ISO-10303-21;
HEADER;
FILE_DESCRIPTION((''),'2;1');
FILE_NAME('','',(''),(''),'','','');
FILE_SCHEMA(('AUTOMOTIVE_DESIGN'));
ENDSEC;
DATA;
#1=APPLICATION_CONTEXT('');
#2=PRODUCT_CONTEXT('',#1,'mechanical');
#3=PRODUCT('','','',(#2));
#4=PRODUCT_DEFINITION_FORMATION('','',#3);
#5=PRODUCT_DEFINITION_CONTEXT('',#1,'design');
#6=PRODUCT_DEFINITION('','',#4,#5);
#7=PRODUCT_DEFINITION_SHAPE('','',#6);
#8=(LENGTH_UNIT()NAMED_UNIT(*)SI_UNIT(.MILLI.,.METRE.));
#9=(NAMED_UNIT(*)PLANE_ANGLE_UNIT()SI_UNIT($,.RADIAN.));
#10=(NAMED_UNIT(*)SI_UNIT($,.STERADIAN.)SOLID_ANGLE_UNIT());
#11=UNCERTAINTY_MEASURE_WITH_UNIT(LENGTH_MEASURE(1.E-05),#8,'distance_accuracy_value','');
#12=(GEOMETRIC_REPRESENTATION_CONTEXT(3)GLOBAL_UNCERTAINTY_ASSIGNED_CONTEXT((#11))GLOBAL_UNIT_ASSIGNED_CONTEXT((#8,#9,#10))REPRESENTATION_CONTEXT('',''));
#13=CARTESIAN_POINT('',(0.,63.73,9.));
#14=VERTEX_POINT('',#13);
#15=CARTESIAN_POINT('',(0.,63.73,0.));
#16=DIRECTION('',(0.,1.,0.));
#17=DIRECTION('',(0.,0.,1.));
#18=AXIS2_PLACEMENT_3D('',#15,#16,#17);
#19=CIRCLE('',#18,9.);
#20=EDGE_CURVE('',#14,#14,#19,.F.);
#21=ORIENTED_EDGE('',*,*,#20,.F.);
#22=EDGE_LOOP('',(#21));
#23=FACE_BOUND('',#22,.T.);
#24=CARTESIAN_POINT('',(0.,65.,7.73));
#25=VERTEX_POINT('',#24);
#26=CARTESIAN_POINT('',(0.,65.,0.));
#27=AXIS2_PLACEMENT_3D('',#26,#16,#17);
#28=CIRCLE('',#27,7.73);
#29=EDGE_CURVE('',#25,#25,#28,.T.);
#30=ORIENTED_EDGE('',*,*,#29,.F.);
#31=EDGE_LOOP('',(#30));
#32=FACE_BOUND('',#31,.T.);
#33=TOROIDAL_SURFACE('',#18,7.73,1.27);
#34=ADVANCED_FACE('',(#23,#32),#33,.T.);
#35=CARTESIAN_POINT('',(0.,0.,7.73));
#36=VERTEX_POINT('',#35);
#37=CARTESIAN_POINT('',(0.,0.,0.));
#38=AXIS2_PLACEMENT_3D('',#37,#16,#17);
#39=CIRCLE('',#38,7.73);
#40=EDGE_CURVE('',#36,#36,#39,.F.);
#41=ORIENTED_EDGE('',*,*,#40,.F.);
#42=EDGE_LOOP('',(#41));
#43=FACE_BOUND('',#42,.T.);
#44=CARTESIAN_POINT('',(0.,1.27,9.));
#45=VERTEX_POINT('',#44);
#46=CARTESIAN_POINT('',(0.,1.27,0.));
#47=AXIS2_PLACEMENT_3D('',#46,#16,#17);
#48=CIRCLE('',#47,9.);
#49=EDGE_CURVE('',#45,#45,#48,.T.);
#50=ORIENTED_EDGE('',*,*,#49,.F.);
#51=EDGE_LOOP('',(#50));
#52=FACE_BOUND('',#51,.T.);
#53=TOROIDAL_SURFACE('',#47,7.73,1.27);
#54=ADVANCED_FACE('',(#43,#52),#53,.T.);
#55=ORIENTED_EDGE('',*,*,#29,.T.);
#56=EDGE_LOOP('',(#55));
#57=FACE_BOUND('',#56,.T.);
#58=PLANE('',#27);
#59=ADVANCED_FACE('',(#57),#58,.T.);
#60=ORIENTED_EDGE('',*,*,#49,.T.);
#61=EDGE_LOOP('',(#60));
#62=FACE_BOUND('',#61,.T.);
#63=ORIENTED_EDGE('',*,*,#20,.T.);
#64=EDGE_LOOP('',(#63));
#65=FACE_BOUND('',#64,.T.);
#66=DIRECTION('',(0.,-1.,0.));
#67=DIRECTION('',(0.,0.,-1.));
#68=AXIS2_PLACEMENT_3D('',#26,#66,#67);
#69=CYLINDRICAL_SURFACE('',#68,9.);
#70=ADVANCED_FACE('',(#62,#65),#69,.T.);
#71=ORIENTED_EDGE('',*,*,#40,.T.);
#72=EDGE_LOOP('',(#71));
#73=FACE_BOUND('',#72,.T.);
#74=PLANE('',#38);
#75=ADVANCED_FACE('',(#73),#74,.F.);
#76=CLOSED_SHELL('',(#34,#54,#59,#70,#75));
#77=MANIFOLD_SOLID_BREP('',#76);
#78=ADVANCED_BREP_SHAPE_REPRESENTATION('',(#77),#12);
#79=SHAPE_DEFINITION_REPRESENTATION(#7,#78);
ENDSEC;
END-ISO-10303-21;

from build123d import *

# Parameters (mm, degrees)
SKETCH1_R           = 9
BOSS_EXTRUDE1_DEPTH = 65
FILLET1_R           = 1.27


with BuildPart() as part:
    # Sketch1 → Boss-Extrude1 (new body)
    with BuildSketch(Plane(origin=(0, 0, 0), x_dir=(1, 0, 0), z_dir=(0, 1, 0))):
        Circle(SKETCH1_R)
    extrude(amount=BOSS_EXTRUDE1_DEPTH)

    # Fillet1
    fillet1_edges = [part.edges().sort_by_distance(p)[0] for p in [
        (-9, 0, 0),
        (-9, 65, 0),
    ]]
    fillet(fillet1_edges, radius=FILLET1_R)


solid = part.part
